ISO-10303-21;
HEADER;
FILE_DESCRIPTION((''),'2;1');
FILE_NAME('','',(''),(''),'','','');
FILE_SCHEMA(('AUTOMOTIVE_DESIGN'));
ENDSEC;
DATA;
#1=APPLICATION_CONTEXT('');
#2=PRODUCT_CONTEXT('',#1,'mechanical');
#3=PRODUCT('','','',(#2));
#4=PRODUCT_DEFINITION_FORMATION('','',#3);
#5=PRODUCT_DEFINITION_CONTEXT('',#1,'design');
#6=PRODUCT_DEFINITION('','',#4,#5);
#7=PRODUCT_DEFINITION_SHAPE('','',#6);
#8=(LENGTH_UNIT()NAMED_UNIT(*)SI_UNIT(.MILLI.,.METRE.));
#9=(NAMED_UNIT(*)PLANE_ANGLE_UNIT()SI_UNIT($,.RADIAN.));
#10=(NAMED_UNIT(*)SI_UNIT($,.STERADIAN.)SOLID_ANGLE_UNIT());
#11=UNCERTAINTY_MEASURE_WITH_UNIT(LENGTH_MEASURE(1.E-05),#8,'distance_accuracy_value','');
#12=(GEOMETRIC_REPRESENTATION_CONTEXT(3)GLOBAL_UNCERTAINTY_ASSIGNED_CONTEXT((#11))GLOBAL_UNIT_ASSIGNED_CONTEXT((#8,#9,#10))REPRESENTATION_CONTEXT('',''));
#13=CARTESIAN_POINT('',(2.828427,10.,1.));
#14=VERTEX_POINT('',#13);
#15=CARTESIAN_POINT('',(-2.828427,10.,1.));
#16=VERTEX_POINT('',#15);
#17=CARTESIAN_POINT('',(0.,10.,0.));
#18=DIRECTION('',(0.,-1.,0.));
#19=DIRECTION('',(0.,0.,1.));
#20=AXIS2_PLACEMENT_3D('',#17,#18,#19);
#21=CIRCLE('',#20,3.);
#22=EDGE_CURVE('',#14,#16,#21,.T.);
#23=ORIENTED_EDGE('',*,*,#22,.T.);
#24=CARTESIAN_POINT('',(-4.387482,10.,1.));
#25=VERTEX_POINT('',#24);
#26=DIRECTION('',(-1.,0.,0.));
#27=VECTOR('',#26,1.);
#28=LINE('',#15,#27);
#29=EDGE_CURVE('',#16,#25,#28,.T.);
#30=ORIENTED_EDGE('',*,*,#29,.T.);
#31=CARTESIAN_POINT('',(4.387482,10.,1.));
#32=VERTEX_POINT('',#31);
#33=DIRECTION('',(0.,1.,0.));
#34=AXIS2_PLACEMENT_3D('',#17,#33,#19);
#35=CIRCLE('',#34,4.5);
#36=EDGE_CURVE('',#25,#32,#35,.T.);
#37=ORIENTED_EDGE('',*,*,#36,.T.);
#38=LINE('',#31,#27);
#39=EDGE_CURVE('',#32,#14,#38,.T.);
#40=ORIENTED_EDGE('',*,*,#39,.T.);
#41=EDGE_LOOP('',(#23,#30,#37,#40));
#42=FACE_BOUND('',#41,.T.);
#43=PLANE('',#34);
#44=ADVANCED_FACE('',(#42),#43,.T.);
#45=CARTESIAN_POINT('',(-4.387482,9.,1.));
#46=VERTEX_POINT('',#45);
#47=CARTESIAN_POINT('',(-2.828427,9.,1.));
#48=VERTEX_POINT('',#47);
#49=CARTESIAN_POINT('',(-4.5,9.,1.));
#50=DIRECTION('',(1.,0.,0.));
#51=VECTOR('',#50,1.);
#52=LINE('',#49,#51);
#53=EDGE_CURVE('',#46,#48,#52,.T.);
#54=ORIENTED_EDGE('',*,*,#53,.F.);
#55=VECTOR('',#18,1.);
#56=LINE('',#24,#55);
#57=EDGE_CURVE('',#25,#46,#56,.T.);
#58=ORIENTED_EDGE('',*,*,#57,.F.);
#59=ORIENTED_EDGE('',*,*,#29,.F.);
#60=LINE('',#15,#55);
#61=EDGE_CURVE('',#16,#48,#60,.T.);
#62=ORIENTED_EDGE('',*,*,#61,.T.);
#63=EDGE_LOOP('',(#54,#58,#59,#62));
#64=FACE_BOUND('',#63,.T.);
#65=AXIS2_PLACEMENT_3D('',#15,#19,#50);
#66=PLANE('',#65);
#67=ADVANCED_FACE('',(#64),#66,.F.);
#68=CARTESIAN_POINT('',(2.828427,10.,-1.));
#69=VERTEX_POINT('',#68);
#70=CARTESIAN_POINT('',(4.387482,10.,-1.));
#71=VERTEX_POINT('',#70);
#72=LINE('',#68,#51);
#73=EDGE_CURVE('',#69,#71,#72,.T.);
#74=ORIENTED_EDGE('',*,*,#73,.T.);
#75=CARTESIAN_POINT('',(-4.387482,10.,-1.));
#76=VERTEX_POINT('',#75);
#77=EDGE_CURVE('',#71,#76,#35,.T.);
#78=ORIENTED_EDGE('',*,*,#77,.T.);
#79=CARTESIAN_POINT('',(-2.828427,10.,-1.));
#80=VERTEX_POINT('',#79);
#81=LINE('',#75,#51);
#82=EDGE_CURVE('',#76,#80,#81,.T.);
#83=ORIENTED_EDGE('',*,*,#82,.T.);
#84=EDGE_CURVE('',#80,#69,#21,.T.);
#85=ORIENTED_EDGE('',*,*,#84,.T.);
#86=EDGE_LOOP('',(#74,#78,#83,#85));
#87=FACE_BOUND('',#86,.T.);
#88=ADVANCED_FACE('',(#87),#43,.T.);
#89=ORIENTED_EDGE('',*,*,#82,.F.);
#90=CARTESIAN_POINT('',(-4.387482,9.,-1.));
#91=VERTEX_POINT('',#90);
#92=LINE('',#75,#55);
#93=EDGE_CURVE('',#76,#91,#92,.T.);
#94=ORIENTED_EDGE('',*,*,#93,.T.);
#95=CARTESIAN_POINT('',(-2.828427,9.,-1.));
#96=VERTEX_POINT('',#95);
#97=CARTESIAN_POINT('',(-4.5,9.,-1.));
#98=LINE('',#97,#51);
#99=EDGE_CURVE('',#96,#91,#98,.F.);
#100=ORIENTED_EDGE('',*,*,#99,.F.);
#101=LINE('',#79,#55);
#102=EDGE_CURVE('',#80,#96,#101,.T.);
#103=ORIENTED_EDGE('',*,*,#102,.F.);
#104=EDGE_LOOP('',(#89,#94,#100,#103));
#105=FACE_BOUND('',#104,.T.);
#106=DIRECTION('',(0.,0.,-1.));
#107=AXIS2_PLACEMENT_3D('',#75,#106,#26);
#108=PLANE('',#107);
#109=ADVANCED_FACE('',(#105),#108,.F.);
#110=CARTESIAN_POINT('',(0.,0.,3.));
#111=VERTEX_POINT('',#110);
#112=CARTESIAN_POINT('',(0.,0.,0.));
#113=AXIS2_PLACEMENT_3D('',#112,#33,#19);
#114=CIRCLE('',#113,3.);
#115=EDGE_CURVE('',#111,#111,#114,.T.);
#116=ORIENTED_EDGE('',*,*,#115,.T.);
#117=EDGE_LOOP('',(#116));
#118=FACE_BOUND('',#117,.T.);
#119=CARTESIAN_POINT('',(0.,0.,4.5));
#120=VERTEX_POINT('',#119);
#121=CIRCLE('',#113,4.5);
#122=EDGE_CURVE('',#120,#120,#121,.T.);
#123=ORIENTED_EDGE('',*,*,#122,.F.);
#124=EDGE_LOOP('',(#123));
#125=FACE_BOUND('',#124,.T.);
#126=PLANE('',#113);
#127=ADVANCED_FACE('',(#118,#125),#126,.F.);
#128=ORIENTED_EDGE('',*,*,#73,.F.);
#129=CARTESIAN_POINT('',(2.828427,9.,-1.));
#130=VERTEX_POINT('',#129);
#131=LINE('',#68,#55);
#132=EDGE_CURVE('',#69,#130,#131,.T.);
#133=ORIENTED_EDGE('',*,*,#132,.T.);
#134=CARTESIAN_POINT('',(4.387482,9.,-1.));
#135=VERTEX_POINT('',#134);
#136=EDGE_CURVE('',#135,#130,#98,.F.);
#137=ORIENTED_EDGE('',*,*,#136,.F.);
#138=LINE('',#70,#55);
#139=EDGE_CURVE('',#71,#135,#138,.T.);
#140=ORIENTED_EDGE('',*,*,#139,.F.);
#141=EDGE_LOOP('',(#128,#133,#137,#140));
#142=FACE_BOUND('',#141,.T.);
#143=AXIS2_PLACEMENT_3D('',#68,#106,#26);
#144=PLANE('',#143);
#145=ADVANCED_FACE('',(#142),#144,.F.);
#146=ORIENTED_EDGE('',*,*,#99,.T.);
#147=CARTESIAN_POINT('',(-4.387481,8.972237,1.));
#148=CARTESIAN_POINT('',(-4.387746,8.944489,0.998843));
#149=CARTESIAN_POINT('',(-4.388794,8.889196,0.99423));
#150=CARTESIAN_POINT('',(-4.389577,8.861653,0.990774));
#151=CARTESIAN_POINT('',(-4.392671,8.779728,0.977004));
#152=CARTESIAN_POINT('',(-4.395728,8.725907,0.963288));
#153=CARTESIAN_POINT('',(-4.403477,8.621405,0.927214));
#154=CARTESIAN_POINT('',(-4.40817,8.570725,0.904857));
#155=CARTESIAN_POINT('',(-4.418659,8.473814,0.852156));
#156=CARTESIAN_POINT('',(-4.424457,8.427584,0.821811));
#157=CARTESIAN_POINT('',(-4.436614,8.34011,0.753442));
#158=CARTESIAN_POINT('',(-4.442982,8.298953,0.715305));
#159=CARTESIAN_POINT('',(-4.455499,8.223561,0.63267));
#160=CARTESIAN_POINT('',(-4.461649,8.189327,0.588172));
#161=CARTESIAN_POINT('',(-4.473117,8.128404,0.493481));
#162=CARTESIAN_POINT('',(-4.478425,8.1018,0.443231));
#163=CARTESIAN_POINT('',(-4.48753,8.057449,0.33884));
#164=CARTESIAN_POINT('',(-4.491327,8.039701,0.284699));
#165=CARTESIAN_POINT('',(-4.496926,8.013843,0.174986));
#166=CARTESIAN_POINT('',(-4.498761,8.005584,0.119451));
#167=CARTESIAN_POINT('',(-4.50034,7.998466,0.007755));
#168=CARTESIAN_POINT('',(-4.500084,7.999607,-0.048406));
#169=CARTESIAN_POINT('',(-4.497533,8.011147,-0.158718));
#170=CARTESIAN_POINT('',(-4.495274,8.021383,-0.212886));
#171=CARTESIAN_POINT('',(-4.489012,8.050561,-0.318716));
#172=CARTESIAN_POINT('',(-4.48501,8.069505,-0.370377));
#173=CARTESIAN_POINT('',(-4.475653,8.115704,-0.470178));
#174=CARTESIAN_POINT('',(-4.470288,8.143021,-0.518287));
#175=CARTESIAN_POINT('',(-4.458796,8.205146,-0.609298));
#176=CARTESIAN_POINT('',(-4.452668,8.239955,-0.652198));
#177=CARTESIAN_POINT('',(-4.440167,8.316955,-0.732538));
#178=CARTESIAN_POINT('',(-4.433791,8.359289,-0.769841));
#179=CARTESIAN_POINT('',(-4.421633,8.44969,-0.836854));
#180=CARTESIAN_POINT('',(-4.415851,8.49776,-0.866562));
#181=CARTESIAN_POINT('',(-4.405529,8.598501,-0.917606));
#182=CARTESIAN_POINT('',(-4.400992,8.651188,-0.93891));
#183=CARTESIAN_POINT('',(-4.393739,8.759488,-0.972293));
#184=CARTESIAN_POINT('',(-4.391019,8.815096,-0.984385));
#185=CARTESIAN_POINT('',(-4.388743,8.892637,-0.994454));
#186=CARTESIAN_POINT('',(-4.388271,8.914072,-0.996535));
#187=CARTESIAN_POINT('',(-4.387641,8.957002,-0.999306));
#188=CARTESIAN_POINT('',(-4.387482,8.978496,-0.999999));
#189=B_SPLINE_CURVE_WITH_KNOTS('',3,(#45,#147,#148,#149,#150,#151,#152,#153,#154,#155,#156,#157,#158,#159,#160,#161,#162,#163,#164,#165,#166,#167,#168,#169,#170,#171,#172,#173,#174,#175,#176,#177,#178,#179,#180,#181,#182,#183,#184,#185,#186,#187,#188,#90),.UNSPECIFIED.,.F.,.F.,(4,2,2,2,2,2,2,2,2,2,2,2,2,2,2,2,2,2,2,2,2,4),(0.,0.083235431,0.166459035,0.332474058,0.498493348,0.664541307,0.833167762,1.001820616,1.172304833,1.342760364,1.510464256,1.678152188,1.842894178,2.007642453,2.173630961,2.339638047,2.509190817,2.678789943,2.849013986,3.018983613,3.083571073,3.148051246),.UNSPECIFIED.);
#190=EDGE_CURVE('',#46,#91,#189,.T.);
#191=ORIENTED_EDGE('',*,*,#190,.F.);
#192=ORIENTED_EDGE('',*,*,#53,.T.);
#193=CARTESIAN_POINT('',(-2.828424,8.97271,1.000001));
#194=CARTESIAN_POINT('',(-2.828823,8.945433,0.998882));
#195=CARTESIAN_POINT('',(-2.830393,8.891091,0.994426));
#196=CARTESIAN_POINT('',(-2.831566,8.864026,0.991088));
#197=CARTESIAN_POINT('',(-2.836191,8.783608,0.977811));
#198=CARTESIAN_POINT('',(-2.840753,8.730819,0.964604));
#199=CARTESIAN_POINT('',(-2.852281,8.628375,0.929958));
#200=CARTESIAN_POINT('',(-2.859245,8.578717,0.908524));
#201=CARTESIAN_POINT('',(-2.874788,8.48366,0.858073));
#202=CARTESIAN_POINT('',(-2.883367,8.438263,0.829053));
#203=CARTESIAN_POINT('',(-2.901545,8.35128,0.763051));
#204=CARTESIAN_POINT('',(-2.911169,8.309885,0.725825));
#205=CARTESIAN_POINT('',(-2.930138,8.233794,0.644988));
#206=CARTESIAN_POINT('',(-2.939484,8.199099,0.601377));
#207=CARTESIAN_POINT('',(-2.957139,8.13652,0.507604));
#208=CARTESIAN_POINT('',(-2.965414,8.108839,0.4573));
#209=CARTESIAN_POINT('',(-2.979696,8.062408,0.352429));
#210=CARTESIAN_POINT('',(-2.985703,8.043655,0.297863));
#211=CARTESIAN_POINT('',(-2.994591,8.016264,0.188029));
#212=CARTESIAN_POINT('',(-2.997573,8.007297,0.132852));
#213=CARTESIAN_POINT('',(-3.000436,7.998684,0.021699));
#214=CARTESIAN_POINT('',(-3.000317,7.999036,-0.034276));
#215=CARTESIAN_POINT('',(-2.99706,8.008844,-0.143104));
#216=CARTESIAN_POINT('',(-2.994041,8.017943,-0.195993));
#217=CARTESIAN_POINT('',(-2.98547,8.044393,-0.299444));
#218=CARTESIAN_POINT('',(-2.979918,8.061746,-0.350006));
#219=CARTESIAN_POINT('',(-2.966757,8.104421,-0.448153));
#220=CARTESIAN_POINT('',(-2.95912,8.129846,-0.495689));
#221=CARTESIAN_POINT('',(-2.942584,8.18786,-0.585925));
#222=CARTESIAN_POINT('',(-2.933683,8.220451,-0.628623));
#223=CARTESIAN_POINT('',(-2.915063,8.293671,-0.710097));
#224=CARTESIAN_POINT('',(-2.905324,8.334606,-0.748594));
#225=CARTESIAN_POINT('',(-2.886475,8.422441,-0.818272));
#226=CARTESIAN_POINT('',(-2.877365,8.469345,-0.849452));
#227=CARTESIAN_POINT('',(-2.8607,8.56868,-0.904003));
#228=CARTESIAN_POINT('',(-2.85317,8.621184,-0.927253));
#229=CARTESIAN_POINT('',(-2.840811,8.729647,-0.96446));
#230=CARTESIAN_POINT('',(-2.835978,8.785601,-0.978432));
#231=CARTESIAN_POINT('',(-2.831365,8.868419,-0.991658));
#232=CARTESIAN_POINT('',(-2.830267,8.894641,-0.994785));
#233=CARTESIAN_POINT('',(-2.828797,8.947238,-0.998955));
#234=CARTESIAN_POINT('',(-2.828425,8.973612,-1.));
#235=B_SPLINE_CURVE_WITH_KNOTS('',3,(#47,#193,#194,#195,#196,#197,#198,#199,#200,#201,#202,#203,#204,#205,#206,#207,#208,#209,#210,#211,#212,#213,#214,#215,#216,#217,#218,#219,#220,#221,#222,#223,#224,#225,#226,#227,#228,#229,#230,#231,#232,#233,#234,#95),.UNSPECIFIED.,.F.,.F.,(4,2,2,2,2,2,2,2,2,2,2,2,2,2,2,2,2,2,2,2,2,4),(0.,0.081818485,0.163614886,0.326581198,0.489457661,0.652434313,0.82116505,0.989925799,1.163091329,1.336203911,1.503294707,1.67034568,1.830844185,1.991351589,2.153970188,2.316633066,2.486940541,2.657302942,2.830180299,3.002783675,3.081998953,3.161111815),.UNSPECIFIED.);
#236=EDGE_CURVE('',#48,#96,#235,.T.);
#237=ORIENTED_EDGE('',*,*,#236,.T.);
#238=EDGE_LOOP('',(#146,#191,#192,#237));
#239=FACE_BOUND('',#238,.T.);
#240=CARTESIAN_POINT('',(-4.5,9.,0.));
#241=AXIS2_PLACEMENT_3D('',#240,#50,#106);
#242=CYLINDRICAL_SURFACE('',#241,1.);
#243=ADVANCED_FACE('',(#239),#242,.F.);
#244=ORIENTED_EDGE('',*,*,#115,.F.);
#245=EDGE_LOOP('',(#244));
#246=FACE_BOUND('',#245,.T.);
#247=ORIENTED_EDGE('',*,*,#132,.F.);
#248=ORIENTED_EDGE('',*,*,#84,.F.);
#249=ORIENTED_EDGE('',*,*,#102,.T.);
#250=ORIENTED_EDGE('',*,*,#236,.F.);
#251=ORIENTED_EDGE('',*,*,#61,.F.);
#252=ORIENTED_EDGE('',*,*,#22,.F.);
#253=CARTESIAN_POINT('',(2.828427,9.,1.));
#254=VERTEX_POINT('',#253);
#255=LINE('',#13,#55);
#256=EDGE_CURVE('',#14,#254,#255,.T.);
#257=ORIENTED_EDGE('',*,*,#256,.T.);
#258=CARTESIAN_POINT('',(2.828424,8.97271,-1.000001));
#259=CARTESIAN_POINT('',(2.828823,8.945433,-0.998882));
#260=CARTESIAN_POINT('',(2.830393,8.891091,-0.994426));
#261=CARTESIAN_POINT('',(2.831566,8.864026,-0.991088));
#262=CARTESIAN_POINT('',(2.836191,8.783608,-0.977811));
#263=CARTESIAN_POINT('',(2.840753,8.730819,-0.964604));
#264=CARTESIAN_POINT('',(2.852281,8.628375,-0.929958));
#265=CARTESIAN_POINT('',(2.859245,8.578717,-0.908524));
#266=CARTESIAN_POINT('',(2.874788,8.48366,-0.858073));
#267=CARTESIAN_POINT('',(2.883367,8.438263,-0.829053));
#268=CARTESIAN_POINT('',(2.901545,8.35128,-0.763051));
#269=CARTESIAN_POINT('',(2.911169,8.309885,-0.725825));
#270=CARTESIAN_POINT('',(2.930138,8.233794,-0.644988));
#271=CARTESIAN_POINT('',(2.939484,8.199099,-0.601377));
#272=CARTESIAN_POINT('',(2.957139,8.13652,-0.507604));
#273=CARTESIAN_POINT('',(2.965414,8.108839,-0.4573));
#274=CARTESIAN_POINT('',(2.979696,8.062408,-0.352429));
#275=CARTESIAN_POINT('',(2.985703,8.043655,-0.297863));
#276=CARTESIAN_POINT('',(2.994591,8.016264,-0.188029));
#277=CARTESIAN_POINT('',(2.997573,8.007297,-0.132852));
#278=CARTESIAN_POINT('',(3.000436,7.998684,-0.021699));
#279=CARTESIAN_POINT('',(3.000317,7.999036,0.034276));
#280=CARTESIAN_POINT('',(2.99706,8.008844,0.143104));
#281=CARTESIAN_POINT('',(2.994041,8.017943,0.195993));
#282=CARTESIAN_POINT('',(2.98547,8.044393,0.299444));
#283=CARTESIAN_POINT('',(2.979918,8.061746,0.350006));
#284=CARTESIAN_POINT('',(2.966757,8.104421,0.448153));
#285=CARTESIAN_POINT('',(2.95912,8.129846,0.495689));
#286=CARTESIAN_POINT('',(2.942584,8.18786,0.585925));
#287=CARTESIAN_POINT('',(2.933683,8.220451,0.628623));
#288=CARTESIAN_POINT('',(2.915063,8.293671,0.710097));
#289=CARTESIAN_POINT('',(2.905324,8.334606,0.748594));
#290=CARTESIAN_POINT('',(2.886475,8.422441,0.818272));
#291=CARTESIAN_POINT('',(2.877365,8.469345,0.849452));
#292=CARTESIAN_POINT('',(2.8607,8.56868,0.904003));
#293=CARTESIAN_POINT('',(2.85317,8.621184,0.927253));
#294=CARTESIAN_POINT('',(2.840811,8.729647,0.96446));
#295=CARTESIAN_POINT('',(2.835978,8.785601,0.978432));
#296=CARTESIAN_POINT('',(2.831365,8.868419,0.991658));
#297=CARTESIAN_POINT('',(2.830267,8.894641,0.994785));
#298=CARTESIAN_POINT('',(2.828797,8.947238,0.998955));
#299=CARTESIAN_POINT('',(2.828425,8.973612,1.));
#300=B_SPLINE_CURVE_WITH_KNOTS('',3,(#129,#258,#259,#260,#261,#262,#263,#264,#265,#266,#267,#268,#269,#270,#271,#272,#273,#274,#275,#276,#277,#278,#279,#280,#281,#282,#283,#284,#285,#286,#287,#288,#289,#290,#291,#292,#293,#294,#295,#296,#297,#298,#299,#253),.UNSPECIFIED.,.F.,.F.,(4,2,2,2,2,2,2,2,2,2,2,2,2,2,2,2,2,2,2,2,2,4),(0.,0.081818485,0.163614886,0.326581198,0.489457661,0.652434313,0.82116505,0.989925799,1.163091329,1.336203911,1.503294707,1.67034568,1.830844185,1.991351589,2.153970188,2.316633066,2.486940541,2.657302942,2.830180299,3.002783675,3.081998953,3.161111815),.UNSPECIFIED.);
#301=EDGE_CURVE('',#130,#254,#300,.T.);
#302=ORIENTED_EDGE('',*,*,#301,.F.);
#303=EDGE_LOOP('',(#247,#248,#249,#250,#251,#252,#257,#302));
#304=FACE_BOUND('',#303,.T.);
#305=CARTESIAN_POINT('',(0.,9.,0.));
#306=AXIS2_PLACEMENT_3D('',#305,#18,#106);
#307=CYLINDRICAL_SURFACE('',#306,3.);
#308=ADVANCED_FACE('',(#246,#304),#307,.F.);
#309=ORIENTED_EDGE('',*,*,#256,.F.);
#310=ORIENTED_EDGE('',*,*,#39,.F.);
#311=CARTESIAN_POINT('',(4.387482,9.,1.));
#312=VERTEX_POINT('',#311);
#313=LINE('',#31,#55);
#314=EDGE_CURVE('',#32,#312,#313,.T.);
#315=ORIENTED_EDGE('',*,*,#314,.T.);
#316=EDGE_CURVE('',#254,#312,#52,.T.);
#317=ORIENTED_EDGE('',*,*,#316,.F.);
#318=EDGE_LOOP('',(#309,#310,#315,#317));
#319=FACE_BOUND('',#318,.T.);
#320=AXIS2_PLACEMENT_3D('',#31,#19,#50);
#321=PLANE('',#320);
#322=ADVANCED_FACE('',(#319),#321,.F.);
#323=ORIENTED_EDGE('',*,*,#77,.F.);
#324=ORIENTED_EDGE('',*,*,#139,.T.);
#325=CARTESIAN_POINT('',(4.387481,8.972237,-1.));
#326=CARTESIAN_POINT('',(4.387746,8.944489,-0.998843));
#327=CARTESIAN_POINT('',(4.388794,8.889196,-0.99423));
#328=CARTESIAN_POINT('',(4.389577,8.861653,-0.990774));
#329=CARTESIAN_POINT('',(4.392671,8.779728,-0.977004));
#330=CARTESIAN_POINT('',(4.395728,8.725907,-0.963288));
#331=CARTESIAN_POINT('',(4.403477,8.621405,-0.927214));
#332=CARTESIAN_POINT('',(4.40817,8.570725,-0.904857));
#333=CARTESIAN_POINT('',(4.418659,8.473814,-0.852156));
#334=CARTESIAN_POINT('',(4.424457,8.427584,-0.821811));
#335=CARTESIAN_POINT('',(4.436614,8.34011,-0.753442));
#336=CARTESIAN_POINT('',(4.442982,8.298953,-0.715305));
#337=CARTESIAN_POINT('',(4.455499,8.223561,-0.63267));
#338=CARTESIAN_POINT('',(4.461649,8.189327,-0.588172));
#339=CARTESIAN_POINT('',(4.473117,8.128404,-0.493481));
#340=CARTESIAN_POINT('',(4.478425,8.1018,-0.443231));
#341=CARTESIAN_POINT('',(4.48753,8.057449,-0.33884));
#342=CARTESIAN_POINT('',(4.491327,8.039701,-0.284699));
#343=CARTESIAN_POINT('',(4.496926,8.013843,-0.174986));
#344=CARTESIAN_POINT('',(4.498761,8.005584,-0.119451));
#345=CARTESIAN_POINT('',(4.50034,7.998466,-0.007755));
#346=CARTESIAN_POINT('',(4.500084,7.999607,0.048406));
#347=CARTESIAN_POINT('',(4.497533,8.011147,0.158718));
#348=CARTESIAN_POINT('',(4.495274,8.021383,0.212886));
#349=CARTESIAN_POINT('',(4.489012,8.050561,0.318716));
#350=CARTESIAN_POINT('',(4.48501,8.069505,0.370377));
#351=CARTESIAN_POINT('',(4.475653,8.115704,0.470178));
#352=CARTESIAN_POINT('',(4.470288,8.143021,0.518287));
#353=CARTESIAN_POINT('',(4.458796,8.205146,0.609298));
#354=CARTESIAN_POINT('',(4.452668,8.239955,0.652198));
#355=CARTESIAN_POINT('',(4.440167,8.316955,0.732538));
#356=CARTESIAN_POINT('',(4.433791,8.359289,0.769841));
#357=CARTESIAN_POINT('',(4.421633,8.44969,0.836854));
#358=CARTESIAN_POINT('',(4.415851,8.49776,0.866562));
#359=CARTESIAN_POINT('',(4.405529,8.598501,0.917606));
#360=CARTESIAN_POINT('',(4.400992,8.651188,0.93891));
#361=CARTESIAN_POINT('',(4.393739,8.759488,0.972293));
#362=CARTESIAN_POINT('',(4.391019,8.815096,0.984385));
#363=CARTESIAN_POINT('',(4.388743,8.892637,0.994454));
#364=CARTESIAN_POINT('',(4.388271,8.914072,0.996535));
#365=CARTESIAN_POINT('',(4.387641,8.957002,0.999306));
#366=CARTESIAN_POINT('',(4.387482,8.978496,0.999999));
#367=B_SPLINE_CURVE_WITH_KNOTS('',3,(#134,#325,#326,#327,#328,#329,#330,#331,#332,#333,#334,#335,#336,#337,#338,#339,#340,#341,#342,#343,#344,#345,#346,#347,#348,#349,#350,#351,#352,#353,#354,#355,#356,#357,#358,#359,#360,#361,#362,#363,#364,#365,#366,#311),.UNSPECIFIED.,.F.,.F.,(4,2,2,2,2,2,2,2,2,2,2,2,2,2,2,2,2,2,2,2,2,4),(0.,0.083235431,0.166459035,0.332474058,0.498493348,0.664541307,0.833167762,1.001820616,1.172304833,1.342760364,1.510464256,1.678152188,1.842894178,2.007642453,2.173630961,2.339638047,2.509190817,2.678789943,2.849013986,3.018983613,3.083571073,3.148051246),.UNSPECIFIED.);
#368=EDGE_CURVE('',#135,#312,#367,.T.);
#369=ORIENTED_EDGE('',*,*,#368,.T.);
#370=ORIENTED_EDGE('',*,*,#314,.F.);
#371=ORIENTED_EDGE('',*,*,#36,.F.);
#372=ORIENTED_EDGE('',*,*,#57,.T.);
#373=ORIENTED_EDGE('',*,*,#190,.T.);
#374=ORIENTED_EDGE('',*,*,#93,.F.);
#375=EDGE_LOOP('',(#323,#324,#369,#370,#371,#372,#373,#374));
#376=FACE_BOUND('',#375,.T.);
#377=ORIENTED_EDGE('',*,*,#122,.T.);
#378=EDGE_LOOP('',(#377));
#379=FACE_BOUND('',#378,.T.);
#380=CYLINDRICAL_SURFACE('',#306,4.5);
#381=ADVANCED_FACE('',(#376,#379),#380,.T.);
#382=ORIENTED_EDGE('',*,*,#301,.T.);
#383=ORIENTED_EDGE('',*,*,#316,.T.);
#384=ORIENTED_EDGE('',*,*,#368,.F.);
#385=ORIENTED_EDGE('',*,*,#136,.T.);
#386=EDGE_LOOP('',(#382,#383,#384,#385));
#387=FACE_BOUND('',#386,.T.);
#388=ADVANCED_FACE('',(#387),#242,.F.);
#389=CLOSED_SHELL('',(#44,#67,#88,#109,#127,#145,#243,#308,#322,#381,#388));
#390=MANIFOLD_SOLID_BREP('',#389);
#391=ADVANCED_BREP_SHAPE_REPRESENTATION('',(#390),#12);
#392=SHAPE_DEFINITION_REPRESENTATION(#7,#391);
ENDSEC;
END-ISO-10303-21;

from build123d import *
from build123d.topology import SkipClean

# Parameters (mm, degrees)
SKETCH_1_R               = 4.5
SKETCH_1_R_2             = 3
EXTRUDE_1_DEPTH          = 9
CUT_EXTRUDE_3_DEPTH      = 12.022703843
CUT_EXTRUDE_3_DEPTH_BACK = 12.022703843
SKETCH_2_R               = 1
EXTRUDE_2_DEPTH          = 1


with BuildPart() as part:
    # ｽｹｯﾁ1 → ﾎﾞｽ - 押し出し1 (new body)
    with BuildSketch(Plane(origin=(0, 0, 0), x_dir=(1, 0, 0), z_dir=(0, 1, 0))):
        with Locations(Location((0, 0, 0), (0, 0, 270))):
            Circle(SKETCH_1_R)
        with Locations(Location((0, 0, 0), (0, 0, 270))):
            Circle(SKETCH_1_R_2, mode=Mode.SUBTRACT)
    extrude(amount=EXTRUDE_1_DEPTH)

    # ｽｹｯﾁ2 → ｶｯﾄ - 押し出し3 (cut, two sides: drawn at the far end of the back side and taken through both)
    with BuildSketch(Plane(origin=(0, 0, 0), x_dir=(0, 0, -1), z_dir=(1, 0, 0)).offset(-CUT_EXTRUDE_3_DEPTH_BACK)):
        with Locations((0, 9)):
            Circle(SKETCH_2_R)
    extrude(amount=CUT_EXTRUDE_3_DEPTH + CUT_EXTRUDE_3_DEPTH_BACK, mode=Mode.SUBTRACT)

    # ｽｹｯﾁ3 → ﾎﾞｽ - 押し出し2 (add)
    with SkipClean():  # the faces are left unmerged after this step: merging them gives an invalid solid
        with BuildSketch(Plane(origin=(0, 9, 0), x_dir=(1, 0, 0), z_dir=(0, 1, 0))):
            with BuildLine():
                Line((-2.828427125, -1), (-4.387482194, -1))
                ThreePointArc((-4.387482194, -1), (0, -4.5), (4.387482194, -1))
                Line((4.387482194, -1), (2.828427125, -1))
                ThreePointArc((2.828427125, -1), (0, -3), (-2.828427125, -1))
            make_face()
            with BuildLine():
                Line((2.828427125, 1), (4.387482194, 1))
                ThreePointArc((4.387482194, 1), (0, 4.5), (-4.387482194, 1))
                Line((-4.387482194, 1), (-2.828427125, 1))
                ThreePointArc((-2.828427125, 1), (0, 3), (2.828427125, 1))
            make_face()
        extrude(amount=EXTRUDE_2_DEPTH)


solid = part.part
